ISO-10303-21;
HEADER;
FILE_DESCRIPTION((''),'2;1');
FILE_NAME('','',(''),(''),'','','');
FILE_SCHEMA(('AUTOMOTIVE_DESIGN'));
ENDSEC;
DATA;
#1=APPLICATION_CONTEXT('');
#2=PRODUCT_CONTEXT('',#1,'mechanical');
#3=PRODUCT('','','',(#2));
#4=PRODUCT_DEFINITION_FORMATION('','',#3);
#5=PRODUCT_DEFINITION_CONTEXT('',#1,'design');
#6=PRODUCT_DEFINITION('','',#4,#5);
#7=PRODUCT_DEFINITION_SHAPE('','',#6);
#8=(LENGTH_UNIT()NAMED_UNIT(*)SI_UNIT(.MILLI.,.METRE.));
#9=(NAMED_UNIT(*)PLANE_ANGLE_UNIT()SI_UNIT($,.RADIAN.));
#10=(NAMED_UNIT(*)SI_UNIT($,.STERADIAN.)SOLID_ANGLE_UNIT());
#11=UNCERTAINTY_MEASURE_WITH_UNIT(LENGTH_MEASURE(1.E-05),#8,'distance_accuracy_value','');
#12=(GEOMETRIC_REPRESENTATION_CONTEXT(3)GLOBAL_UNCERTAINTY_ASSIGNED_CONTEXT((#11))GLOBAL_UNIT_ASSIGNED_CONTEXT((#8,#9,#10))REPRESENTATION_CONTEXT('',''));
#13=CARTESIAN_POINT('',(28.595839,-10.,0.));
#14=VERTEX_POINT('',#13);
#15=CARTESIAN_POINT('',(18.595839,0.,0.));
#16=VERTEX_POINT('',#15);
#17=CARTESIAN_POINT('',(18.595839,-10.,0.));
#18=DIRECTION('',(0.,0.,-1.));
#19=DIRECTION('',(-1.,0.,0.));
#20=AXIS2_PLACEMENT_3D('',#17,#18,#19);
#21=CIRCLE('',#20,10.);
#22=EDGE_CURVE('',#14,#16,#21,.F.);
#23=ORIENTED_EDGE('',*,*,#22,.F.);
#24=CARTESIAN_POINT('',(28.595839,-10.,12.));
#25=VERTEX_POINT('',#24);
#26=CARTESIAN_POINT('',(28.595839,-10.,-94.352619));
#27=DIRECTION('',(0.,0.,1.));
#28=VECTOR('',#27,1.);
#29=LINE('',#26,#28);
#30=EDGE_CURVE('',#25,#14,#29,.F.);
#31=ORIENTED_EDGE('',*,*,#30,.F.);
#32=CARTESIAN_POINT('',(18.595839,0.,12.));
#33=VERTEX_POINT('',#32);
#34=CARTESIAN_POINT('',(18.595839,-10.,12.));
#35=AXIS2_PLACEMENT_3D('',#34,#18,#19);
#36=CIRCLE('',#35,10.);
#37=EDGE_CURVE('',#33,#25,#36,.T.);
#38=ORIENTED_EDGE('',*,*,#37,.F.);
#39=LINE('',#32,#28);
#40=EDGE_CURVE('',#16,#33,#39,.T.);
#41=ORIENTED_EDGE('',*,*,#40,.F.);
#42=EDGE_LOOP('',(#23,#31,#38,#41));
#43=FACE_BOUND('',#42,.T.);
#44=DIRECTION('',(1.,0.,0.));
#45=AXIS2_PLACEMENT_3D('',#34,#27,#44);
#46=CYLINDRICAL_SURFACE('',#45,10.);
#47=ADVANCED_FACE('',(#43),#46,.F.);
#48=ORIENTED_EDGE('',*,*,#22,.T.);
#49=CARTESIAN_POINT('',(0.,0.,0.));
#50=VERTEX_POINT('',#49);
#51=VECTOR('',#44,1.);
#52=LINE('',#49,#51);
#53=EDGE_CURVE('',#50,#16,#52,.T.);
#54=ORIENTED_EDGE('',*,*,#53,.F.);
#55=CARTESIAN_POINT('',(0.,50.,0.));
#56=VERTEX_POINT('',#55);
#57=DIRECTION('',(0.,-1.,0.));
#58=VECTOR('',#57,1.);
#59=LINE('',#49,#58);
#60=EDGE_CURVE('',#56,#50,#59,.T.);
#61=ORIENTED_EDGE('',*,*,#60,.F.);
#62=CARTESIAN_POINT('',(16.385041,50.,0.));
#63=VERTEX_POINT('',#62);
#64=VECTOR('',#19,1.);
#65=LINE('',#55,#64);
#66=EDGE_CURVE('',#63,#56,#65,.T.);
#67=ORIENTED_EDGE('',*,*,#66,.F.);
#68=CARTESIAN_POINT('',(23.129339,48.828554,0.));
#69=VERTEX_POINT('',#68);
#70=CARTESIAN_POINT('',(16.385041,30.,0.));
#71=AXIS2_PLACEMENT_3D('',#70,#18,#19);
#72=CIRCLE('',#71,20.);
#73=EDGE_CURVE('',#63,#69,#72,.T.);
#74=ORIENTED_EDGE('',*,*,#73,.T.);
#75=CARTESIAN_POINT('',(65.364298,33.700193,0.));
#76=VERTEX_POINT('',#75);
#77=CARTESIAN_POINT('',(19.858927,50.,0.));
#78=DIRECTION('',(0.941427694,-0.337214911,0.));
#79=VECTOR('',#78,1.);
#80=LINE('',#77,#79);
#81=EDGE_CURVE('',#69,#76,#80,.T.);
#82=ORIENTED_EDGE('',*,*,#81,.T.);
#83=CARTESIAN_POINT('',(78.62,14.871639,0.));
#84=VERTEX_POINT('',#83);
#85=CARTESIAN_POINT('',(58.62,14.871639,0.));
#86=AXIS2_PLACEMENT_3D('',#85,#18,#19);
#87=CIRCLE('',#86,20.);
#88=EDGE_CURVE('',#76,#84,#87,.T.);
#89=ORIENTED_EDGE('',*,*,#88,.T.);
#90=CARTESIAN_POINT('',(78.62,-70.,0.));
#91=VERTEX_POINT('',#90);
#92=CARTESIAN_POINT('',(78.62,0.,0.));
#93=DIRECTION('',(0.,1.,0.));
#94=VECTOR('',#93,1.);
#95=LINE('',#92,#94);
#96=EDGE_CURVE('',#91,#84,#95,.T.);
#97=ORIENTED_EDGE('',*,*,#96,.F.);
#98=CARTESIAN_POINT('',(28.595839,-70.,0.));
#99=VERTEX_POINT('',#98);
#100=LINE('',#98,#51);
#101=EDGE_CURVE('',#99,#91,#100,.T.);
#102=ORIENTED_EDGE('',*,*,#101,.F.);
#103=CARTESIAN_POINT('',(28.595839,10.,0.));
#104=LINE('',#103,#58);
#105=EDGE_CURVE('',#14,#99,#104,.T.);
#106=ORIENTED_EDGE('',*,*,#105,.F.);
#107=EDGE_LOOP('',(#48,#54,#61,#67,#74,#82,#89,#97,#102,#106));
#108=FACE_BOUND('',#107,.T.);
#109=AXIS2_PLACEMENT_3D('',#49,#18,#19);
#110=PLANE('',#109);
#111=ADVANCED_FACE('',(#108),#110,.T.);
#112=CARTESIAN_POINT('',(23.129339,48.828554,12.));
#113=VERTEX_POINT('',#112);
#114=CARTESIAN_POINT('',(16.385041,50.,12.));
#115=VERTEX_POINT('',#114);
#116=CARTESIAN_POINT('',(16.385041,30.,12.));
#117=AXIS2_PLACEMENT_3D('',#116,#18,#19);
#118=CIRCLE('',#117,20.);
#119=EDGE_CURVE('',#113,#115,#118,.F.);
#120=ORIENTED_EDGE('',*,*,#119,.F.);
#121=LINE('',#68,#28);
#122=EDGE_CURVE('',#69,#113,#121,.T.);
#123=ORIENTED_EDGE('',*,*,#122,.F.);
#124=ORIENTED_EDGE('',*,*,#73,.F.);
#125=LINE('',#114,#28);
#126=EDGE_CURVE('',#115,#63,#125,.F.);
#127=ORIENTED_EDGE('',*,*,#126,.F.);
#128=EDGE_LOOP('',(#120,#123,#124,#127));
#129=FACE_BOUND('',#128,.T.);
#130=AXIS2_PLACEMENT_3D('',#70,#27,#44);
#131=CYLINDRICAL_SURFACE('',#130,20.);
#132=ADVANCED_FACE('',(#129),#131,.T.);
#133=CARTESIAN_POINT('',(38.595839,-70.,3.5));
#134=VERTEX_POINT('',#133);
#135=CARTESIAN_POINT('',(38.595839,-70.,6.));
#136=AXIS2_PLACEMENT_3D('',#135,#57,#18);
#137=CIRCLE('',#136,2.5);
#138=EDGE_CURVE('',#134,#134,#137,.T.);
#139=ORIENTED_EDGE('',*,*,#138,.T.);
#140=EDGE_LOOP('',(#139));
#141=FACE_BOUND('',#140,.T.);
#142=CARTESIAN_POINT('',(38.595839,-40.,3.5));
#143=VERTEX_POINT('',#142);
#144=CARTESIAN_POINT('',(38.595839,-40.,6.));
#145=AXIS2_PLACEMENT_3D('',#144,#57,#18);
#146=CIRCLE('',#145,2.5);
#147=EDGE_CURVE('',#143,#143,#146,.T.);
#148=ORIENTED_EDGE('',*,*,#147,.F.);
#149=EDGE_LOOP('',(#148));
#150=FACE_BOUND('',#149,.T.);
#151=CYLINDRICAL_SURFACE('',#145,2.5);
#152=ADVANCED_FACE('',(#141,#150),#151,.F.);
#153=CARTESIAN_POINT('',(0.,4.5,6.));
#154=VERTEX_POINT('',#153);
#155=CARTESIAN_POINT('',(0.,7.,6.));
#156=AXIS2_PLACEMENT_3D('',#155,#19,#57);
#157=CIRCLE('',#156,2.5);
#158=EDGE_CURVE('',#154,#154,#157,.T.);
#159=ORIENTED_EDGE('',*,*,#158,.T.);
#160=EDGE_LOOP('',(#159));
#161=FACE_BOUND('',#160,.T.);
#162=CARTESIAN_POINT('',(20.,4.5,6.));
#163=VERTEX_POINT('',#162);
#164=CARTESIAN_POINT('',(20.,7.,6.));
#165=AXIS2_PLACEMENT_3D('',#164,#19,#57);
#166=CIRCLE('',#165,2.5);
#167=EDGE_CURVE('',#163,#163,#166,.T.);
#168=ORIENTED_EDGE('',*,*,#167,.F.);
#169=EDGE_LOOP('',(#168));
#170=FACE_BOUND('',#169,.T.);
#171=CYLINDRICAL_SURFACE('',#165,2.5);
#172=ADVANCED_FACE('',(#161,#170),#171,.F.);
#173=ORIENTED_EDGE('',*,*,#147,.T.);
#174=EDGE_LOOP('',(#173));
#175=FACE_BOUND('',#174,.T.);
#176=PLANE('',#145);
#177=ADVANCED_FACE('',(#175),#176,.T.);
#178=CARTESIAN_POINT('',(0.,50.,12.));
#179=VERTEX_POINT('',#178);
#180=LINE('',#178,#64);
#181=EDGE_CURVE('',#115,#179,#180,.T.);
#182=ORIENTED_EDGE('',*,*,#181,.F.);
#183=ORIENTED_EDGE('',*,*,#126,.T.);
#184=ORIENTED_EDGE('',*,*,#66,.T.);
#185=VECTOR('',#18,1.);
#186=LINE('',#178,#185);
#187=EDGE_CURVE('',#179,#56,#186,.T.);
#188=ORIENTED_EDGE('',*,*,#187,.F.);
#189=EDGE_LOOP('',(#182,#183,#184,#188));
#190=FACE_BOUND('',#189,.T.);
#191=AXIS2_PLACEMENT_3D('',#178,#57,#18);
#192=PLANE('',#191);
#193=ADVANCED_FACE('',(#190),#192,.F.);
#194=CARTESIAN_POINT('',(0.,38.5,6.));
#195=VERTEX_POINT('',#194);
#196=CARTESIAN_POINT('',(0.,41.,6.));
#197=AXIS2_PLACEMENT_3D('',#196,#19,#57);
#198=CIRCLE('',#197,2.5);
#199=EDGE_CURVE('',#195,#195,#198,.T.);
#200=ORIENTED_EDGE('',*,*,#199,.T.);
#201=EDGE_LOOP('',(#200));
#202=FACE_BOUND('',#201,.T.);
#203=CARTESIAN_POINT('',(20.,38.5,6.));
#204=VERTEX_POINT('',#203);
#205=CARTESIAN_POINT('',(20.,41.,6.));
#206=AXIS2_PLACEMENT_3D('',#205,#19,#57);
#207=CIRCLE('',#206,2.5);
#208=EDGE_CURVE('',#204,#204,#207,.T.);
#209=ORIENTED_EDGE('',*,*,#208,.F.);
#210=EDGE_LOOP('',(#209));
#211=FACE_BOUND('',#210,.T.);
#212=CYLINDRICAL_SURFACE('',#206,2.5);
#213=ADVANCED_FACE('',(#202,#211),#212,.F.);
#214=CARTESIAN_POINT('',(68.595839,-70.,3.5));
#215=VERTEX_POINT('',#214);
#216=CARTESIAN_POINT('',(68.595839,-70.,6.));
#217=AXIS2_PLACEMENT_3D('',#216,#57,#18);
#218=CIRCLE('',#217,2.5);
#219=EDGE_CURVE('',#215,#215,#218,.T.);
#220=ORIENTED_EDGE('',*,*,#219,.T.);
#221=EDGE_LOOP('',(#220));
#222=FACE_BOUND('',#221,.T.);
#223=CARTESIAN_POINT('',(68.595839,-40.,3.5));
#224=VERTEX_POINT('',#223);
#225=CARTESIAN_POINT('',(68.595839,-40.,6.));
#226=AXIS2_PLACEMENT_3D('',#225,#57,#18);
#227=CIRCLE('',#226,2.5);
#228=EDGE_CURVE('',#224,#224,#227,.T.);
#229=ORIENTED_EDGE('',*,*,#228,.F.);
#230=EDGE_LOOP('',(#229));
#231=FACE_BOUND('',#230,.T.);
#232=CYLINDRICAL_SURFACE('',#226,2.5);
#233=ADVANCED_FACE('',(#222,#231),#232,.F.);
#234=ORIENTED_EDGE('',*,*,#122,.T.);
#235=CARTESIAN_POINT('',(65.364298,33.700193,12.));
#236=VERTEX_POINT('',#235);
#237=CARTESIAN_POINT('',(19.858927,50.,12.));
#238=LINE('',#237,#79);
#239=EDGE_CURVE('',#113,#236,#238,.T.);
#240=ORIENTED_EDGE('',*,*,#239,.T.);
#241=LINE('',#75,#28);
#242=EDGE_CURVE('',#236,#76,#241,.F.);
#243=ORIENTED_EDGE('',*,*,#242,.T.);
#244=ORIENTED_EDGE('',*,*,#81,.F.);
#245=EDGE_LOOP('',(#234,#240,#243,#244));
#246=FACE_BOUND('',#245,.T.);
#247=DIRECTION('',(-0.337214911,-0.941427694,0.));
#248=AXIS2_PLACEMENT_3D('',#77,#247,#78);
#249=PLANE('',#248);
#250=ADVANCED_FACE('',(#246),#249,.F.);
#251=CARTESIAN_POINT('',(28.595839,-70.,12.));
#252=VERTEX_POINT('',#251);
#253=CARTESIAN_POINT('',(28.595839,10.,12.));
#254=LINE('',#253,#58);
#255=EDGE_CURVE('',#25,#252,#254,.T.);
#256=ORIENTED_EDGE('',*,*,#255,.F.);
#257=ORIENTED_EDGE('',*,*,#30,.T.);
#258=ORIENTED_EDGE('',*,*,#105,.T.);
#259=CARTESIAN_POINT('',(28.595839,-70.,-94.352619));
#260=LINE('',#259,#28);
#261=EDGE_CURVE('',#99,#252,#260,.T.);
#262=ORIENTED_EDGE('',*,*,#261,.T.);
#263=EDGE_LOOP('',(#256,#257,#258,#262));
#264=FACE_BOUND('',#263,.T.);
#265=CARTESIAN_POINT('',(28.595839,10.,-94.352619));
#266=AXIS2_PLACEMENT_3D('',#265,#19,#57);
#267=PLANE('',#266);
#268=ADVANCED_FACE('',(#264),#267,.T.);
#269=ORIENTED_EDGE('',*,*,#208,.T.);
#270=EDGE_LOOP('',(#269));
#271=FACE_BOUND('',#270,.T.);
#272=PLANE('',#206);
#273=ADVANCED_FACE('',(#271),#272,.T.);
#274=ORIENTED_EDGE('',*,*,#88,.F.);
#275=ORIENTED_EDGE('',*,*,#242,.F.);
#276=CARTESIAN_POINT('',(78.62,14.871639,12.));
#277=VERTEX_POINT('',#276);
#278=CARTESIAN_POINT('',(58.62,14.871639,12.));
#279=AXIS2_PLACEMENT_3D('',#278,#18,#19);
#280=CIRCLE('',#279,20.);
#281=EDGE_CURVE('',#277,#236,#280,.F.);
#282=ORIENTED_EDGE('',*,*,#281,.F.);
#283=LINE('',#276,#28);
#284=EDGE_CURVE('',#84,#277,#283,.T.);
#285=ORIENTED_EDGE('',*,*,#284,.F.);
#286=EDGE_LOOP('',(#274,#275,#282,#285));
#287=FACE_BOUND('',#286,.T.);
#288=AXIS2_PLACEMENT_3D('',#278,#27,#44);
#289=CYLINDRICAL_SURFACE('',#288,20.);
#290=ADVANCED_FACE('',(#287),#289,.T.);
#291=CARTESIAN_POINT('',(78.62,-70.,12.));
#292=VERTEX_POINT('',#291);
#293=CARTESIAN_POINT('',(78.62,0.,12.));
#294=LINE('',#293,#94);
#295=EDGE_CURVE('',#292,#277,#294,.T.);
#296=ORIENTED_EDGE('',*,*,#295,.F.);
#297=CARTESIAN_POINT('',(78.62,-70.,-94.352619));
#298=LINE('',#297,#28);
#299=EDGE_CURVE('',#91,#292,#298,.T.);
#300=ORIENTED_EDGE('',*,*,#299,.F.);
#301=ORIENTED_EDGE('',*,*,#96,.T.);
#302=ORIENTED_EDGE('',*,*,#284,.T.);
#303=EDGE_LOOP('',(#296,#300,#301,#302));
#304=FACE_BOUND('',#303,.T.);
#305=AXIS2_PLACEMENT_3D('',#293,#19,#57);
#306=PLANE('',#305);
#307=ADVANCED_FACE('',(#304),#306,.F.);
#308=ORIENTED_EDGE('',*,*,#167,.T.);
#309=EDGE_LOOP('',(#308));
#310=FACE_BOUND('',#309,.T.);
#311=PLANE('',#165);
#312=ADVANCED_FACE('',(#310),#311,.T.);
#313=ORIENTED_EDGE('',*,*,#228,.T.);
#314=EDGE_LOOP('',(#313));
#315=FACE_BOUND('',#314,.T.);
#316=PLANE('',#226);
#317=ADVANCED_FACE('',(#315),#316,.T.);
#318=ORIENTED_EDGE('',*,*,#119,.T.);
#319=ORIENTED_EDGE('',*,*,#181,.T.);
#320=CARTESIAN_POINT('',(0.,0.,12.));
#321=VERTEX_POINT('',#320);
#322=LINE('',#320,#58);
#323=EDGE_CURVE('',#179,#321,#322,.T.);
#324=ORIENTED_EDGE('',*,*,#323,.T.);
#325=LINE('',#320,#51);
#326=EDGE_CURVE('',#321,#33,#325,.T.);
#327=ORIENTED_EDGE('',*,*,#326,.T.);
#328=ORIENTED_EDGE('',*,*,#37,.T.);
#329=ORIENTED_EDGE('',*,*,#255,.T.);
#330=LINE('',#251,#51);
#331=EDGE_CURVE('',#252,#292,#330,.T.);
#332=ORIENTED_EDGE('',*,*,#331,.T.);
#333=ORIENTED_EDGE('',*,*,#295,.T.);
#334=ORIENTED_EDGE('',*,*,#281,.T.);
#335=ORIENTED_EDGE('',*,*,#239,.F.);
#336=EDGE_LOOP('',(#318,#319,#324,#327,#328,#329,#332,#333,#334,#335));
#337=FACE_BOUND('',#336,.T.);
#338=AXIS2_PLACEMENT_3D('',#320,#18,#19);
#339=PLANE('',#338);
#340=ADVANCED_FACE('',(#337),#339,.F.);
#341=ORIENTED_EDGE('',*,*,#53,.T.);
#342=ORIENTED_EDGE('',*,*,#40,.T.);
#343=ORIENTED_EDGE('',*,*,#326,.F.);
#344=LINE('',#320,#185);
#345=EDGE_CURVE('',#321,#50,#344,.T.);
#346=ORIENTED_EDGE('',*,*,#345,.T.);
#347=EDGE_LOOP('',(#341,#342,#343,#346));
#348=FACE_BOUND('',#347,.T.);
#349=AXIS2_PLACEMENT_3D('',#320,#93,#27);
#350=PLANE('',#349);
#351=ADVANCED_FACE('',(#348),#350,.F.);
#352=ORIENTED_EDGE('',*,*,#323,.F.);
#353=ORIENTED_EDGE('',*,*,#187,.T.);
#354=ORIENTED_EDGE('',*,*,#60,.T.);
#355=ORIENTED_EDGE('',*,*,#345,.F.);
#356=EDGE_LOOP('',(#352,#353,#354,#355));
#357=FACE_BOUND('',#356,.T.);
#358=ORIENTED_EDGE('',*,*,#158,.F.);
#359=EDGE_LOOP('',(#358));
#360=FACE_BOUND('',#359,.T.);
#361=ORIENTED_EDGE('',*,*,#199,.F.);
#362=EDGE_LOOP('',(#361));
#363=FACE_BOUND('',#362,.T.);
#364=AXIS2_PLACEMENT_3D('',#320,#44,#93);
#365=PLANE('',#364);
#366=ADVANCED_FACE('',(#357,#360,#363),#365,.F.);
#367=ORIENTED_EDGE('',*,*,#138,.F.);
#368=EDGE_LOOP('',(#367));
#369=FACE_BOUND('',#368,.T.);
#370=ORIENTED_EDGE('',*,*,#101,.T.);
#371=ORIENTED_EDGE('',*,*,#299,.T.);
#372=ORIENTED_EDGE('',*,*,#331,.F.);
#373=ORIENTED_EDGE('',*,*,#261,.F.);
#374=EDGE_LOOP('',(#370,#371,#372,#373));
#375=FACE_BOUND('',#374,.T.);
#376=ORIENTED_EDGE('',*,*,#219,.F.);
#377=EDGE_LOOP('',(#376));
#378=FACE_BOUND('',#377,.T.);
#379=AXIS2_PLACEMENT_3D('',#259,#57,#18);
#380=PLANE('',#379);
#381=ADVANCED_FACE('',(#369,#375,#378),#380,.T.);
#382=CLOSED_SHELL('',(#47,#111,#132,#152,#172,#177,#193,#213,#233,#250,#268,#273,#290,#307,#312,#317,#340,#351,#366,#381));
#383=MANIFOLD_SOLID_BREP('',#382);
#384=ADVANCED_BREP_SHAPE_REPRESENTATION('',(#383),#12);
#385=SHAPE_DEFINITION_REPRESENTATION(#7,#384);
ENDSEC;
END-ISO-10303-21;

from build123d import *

# Parameters (mm, degrees)
SKETCH_1_W          = 78.62
SKETCH_1_H          = 50
EXTRUDE_1_DEPTH     = 12
SKETCH_3_W          = 50.02416134
SKETCH_3_H          = 10
CUT_EXTRUDE_1_DEPTH = 94.942026804
FILLET_3_R          = 20
FILLET_4_R          = 20
SKETCH_5_R          = 2.5
CUT_EXTRUDE_3_DEPTH = 20
SKETCH_6_W          = 50.02416134
SKETCH_6_H          = 80
EXTRUDE_2_DEPTH     = 12
FILLET_5_R          = 10
SKETCH_7_R          = 2.5
CUT_EXTRUDE_4_DEPTH = 30


with BuildPart() as part:
    # Эскиз1 → Бобышка-Вытянуть1 (new body)
    with BuildSketch(Plane.XY):
        with Locations((39.31, 25)):
            Rectangle(SKETCH_1_W, SKETCH_1_H)
    extrude(amount=EXTRUDE_1_DEPTH)

    # Эскиз3 → Вырез-Вытянуть1 (cut, through all)
    with BuildSketch(Plane.XY.offset(12)):
        Polygon((19.858926821, 50), (78.62, 28.952063791), (78.62, 50), align=None)
        with Locations((53.60791933, 5)):
            Rectangle(SKETCH_3_W, SKETCH_3_H)
    extrude(amount=-CUT_EXTRUDE_1_DEPTH, mode=Mode.SUBTRACT)

    # Скругление3
    fillet_3_edges = [part.edges().sort_by_distance(p)[0] for p in [
        (78.62, 28.952063791, 6),
    ]]
    fillet(fillet_3_edges, radius=FILLET_3_R)

    # Скругление4
    fillet_4_edges = [part.edges().sort_by_distance(p)[0] for p in [
        (19.858926821, 50, 6),
    ]]
    fillet(fillet_4_edges, radius=FILLET_4_R)

    # Эскиз5 → Вырез-Вытянуть3 (cut)
    with BuildSketch(Plane.ZY):
        with Locations(Location((6, 7, 0), (0, 0, 270))):
            Circle(SKETCH_5_R)
        with Locations(Location((6, 41, 0), (0, 0, 270))):
            Circle(SKETCH_5_R)
    extrude(amount=-CUT_EXTRUDE_3_DEPTH, mode=Mode.SUBTRACT)

    # Эскиз6 → Бобышка-Вытянуть2 (add)
    with BuildSketch(Plane.XY.offset(12)):
        with Locations((53.60791933, -30)):
            Rectangle(SKETCH_6_W, SKETCH_6_H)
    extrude(amount=-EXTRUDE_2_DEPTH)

    # Скругление5
    fillet_5_edges = [part.edges().sort_by_distance(p)[0] for p in [
        (28.59583866, 0, 6),
    ]]
    fillet(fillet_5_edges, radius=FILLET_5_R)

    # Эскиз7 → Вырез-Вытянуть4 (cut)
    with BuildSketch(Plane.XZ.offset(70)):
        with Locations(Location((38.59583866, 6, 0), (0, 0, 270))):
            Circle(SKETCH_7_R)
        with Locations(Location((68.59583866, 6, 0), (0, 0, 270))):
            Circle(SKETCH_7_R)
    extrude(amount=-CUT_EXTRUDE_4_DEPTH, mode=Mode.SUBTRACT)


solid = part.part
